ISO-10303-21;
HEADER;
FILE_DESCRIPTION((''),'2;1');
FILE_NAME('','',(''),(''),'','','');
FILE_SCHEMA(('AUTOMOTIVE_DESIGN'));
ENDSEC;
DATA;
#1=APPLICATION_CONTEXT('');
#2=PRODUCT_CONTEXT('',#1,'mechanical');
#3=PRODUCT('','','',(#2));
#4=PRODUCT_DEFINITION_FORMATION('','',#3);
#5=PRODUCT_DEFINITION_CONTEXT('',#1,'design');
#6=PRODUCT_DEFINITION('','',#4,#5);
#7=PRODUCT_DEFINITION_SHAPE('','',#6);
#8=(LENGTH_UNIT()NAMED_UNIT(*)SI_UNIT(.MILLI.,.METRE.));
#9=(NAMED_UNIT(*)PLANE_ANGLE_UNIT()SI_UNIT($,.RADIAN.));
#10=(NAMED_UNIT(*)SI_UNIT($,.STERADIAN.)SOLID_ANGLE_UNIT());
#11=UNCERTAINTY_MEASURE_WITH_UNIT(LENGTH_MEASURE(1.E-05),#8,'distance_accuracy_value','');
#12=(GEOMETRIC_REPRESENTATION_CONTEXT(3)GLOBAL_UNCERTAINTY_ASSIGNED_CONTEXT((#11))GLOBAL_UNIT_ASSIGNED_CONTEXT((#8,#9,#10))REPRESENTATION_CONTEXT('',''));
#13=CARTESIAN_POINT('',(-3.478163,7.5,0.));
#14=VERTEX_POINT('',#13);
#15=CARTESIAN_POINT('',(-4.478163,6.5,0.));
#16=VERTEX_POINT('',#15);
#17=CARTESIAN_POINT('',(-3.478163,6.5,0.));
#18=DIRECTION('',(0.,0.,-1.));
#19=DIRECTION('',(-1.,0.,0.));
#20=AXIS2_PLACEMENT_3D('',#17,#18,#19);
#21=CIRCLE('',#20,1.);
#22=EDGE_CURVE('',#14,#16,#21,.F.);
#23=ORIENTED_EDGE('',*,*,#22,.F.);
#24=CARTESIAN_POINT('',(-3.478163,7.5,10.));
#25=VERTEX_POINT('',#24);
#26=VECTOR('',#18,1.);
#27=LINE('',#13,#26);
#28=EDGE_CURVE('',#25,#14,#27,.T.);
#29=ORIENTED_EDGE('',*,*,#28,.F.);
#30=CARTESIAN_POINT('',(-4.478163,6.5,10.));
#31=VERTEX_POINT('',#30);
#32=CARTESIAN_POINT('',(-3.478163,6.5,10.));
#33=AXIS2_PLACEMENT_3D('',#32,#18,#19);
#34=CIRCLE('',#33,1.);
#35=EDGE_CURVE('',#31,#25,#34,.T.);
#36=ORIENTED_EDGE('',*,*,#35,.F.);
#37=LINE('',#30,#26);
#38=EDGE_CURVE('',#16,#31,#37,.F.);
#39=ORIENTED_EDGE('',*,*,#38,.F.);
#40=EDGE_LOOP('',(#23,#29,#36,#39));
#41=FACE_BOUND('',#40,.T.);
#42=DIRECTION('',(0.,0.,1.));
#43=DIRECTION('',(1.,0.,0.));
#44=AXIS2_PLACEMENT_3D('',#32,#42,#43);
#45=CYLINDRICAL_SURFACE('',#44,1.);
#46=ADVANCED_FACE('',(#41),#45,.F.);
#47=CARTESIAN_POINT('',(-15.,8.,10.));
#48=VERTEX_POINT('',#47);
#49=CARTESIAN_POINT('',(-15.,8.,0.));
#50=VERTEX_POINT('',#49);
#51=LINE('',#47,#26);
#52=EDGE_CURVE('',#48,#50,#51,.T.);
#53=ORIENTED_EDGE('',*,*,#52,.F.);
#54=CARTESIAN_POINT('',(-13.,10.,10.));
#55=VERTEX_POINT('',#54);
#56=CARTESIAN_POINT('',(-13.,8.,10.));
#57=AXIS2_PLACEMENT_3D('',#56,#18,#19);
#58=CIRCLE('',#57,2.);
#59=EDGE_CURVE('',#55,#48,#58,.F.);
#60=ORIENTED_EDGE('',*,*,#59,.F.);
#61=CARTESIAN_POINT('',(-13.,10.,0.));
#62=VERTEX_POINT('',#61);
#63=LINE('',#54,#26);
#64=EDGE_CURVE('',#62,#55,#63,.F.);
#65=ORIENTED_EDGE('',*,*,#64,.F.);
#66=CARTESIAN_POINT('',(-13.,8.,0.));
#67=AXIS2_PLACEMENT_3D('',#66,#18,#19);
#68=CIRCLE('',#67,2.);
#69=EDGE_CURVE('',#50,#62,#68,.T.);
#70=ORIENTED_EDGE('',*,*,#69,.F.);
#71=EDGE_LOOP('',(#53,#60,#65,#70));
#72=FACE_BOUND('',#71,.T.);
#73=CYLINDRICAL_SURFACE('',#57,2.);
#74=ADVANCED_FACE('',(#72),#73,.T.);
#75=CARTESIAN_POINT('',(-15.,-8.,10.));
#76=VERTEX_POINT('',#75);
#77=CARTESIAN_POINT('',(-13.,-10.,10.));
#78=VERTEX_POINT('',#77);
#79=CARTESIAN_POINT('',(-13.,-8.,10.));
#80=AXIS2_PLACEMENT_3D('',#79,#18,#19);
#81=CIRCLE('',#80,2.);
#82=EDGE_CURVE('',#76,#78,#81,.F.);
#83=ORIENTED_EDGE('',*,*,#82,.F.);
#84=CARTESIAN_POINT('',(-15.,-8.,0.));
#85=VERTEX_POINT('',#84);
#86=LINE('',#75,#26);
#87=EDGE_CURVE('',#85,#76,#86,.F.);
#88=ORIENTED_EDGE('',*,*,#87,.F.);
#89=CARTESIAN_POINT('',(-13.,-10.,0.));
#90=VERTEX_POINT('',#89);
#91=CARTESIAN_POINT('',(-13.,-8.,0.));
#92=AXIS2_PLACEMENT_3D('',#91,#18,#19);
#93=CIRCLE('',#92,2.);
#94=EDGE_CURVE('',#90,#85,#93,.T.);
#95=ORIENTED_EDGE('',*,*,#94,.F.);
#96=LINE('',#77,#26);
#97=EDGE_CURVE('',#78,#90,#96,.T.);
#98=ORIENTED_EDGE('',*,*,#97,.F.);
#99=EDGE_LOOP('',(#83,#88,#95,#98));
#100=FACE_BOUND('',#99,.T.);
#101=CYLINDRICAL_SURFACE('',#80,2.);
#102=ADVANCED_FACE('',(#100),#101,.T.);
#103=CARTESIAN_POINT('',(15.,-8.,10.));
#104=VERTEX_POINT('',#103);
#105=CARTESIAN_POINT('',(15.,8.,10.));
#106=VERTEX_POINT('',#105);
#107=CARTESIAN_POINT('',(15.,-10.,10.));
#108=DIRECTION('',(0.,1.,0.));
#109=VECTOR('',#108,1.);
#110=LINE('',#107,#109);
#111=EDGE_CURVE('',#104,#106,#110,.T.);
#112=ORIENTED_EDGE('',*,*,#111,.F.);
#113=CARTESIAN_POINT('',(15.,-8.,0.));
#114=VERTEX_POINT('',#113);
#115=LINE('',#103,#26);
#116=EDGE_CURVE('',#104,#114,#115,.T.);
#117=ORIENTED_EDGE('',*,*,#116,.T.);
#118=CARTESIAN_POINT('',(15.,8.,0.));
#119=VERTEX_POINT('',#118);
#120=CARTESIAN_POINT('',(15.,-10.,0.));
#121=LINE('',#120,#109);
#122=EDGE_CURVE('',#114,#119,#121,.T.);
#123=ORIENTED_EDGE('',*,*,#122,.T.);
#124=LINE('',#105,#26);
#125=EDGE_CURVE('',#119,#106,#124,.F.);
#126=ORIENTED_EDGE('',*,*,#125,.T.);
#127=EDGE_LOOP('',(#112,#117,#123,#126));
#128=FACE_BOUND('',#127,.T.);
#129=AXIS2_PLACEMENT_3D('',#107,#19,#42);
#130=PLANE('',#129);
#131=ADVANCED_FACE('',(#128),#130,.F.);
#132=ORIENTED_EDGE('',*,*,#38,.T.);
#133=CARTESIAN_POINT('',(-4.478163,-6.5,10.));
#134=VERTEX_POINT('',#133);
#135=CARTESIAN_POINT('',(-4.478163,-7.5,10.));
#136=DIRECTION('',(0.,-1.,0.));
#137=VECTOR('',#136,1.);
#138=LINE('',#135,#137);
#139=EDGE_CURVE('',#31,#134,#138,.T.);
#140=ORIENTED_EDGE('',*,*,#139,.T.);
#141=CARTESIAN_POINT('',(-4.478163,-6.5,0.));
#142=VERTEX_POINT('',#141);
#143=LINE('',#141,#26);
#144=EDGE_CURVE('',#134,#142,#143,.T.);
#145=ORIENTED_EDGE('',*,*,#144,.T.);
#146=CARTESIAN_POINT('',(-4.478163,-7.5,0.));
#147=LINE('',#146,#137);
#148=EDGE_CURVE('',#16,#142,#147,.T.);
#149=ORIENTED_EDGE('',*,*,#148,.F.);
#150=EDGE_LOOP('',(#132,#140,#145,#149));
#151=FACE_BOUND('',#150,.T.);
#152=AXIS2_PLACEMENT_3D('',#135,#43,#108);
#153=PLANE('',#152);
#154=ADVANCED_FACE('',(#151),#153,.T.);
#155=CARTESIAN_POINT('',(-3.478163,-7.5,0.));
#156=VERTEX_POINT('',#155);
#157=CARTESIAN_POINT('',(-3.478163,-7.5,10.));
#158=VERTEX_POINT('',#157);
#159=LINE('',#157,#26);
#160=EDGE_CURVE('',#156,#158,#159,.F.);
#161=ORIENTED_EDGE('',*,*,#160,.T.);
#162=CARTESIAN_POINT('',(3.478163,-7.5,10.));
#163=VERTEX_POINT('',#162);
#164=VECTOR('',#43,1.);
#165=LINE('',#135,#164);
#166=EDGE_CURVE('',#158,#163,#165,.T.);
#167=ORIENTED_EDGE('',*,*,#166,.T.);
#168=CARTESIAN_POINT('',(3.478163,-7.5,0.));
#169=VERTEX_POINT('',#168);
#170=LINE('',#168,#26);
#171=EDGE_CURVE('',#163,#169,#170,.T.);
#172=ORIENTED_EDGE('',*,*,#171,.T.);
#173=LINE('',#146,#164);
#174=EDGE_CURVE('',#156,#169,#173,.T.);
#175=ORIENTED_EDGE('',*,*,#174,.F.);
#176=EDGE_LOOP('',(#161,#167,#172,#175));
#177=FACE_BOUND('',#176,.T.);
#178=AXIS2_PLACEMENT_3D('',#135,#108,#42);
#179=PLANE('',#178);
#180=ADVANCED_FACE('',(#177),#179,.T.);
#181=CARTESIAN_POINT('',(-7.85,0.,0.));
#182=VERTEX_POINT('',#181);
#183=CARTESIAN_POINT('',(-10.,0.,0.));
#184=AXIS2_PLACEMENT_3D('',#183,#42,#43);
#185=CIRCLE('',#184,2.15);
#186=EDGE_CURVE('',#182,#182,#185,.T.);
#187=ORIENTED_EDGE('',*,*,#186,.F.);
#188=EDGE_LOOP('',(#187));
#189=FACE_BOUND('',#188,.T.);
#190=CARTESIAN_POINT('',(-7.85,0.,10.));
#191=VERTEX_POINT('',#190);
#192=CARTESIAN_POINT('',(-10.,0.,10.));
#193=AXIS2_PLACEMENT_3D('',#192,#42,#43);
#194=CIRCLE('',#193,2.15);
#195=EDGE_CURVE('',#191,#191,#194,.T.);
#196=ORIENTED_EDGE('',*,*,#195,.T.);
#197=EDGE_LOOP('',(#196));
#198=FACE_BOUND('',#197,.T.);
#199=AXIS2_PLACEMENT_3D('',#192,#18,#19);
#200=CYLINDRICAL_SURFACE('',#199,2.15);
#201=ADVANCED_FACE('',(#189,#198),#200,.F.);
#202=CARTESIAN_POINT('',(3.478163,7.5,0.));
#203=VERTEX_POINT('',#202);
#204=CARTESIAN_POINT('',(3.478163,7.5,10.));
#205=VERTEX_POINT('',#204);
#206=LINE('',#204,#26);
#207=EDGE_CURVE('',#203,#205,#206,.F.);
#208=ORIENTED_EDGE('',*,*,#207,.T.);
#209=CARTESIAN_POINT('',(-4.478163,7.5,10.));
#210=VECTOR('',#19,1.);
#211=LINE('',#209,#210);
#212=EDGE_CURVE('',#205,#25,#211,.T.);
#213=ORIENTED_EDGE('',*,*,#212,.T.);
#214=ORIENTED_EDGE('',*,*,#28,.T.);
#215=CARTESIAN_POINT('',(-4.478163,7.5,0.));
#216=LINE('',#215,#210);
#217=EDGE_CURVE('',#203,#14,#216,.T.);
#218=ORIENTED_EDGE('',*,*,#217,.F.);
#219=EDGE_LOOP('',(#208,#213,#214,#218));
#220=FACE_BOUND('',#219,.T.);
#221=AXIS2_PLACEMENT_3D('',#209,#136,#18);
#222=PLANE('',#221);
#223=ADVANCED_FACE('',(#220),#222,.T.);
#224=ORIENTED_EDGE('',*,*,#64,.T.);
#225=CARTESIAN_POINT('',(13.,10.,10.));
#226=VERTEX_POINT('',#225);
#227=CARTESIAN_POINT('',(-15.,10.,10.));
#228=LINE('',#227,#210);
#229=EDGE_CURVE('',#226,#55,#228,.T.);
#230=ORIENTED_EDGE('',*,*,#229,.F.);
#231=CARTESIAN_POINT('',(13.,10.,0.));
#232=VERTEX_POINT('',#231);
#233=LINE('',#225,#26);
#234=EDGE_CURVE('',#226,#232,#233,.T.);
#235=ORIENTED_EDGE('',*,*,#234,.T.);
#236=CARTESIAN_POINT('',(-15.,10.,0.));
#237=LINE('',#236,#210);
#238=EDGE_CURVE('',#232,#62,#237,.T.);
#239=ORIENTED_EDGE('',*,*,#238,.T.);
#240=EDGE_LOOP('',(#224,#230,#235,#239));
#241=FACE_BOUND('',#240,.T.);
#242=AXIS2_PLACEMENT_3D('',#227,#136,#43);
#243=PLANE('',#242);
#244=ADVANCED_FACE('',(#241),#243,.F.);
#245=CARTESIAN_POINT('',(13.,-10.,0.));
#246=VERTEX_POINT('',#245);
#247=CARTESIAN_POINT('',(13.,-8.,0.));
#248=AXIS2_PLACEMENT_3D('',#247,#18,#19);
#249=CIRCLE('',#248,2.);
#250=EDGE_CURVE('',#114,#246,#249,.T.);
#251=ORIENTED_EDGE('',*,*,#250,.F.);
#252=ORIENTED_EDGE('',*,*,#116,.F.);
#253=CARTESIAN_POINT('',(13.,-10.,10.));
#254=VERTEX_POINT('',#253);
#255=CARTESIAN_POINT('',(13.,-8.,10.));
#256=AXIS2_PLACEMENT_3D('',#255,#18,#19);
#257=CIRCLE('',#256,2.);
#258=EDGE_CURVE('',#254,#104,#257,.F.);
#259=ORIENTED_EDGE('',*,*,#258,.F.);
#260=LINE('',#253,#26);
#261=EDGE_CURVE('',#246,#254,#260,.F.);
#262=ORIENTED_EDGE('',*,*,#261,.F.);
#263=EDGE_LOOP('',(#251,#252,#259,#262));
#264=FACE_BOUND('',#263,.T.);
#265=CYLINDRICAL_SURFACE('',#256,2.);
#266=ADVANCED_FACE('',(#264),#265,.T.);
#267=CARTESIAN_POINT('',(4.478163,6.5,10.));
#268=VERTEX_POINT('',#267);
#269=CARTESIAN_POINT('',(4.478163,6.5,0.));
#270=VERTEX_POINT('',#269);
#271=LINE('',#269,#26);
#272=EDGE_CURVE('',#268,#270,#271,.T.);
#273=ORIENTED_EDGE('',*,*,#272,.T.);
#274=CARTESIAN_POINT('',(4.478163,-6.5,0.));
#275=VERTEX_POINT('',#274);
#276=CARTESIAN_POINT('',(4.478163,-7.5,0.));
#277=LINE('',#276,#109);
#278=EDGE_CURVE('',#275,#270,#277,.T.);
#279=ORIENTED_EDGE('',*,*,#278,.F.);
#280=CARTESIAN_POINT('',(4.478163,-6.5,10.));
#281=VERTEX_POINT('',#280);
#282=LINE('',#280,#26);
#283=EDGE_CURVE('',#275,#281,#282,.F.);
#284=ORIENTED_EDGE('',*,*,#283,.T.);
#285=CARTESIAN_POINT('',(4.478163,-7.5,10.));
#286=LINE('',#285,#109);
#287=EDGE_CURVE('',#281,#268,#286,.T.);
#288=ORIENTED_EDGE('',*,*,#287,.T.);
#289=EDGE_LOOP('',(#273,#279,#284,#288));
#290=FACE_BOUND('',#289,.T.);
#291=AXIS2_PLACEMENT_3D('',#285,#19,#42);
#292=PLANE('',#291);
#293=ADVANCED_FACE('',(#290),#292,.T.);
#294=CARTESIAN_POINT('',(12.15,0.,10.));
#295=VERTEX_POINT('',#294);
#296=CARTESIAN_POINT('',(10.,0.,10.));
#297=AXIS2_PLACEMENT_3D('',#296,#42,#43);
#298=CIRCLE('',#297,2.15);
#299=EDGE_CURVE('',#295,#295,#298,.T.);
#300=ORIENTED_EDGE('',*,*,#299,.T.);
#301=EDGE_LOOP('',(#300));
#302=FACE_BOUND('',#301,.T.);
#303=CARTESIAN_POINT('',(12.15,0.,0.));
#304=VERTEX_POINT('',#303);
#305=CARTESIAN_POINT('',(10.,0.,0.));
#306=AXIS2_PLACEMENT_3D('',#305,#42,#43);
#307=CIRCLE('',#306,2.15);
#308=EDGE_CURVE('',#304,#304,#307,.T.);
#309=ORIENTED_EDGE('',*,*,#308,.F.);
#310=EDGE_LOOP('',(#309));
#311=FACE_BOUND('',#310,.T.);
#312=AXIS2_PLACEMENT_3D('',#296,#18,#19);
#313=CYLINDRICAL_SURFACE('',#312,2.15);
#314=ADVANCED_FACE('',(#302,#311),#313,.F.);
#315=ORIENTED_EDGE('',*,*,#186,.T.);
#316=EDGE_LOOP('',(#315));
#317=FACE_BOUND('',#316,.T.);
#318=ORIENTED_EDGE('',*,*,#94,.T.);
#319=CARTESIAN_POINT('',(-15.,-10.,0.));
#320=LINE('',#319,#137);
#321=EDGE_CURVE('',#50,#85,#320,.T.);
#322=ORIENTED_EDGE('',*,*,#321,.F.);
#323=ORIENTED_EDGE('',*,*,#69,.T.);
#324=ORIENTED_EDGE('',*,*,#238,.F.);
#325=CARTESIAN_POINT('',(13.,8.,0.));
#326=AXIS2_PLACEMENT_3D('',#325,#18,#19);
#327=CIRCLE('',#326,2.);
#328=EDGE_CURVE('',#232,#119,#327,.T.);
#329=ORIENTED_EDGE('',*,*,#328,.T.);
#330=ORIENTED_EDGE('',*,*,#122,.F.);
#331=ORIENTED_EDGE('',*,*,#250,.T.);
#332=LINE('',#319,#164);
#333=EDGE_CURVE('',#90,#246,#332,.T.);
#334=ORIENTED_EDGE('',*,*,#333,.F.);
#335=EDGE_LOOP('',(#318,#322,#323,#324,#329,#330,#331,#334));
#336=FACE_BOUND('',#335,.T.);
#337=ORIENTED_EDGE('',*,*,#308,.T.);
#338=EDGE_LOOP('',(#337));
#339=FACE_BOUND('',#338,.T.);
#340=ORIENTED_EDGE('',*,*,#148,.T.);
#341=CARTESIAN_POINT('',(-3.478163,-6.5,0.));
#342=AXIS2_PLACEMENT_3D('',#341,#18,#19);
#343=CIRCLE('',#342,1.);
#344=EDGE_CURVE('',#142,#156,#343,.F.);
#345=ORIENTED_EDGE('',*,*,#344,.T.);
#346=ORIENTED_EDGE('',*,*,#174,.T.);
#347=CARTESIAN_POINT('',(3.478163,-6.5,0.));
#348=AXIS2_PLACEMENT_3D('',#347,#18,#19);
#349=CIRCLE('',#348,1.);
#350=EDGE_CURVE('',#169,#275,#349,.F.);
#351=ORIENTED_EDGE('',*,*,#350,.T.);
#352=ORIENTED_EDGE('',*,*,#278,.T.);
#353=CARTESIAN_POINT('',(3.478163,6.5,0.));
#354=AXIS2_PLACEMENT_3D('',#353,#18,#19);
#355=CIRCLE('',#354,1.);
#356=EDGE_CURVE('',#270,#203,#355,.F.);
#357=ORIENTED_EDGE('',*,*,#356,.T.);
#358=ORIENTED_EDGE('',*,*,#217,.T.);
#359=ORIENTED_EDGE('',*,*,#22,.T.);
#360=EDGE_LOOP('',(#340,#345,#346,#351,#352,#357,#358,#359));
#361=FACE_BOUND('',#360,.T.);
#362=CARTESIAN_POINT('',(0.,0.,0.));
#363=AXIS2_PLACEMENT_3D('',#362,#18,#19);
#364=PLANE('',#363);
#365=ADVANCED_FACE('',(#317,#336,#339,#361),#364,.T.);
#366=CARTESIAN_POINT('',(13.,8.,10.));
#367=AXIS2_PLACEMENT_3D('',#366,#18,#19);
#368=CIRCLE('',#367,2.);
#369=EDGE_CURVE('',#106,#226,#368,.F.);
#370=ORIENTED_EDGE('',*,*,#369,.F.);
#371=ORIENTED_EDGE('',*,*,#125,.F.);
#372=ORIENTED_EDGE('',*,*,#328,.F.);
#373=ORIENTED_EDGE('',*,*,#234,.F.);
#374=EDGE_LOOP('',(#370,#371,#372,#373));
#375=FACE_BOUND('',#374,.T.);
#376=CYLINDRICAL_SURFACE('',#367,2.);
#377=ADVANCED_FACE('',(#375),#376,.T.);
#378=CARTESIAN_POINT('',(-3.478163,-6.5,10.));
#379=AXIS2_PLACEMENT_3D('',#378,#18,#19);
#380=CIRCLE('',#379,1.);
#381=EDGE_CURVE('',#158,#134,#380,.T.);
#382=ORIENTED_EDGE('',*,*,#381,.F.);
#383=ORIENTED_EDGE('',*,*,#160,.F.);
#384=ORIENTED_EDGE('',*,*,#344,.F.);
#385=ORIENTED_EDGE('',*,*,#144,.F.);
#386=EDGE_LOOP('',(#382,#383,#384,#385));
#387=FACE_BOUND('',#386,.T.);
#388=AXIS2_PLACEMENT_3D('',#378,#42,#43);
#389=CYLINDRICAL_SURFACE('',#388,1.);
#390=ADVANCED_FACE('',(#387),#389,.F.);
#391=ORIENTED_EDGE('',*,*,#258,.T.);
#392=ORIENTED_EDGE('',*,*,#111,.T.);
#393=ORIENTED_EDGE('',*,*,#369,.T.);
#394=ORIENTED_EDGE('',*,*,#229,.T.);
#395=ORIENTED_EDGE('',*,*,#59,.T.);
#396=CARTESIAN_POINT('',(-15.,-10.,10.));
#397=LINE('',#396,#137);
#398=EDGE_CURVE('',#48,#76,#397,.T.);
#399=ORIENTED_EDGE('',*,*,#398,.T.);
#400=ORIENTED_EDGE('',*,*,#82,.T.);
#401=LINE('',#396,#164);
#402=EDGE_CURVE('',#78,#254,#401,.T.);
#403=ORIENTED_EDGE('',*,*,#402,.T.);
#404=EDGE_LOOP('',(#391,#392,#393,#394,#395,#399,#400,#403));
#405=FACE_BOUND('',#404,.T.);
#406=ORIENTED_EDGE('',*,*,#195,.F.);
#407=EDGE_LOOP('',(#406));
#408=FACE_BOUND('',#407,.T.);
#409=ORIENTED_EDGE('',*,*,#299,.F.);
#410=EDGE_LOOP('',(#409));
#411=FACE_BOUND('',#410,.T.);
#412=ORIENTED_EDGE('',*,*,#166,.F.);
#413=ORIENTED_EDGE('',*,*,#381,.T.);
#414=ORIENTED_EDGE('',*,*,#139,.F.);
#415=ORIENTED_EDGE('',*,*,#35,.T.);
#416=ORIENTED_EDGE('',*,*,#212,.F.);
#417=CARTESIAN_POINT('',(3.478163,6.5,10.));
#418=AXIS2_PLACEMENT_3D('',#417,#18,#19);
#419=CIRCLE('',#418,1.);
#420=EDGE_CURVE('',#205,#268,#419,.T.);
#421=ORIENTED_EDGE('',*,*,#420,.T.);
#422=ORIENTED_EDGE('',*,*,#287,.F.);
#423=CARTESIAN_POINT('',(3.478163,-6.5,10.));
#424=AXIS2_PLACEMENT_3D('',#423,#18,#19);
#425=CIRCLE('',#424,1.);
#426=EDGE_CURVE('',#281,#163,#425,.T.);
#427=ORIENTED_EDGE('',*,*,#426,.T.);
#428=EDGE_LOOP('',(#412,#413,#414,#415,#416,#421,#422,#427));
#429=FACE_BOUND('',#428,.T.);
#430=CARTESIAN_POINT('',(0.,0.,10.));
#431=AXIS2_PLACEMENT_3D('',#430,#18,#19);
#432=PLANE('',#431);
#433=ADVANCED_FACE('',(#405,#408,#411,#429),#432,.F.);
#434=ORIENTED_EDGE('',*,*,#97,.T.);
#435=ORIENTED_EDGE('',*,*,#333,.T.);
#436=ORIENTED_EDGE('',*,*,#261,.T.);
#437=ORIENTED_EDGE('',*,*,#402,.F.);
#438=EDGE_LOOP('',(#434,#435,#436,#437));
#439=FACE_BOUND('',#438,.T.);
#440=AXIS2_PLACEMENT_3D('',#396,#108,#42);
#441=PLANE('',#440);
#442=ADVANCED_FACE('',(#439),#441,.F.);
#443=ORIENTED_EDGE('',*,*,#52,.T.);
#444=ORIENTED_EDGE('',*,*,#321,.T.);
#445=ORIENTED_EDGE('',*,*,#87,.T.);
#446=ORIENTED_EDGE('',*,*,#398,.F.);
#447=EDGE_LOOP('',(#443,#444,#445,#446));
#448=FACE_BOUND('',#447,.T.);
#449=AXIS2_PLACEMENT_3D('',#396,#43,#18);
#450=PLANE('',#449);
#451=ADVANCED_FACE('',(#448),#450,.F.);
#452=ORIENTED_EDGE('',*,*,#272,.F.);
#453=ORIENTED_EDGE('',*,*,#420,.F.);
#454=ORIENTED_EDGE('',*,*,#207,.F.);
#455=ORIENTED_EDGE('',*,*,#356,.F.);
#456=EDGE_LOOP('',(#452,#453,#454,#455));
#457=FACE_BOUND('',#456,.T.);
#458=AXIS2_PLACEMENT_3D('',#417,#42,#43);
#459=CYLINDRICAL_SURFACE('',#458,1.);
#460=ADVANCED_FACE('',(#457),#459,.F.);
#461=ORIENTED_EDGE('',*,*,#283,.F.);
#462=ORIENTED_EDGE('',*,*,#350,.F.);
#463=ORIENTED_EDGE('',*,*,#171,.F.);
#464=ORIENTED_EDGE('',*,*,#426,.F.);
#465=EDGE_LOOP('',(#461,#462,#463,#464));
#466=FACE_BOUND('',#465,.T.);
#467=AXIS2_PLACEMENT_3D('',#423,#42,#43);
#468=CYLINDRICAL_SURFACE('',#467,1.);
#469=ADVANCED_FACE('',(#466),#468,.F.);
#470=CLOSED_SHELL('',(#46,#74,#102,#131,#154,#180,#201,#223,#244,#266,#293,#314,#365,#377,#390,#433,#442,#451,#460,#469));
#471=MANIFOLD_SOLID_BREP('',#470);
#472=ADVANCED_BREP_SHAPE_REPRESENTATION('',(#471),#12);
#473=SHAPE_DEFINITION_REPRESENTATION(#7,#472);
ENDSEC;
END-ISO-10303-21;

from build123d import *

# Parameters (mm, degrees)
SKETCH_1_W      = 30
SKETCH_1_H      = 20
SKETCH_1_R      = 2.15
SKETCH_1_W_2    = 8.956326716
SKETCH_1_H_2    = 15
EXTRUDE_1_DEPTH = 10
FILLET_1_R      = 1
FILLET_2_R      = 2


with BuildPart() as part:
    # 草图1 → 凸台-拉伸1 (new body)
    with BuildSketch(Plane.XY):
        Rectangle(SKETCH_1_W, SKETCH_1_H)
        with Locations((-10, 0)):
            Circle(SKETCH_1_R, mode=Mode.SUBTRACT)
        with Locations((10, 0)):
            Circle(SKETCH_1_R, mode=Mode.SUBTRACT)
        Rectangle(SKETCH_1_W_2, SKETCH_1_H_2, mode=Mode.SUBTRACT)
    extrude(amount=EXTRUDE_1_DEPTH)

    # 圆角1
    fillet_1_edges = [part.edges().sort_by_distance(p)[0] for p in [
        (4.478163358, -7.5, 5),
        (4.478163358, 7.5, 5),
        (-4.478163358, 7.5, 5),
        (-4.478163358, -7.5, 5),
    ]]
    fillet(fillet_1_edges, radius=FILLET_1_R)

    # 圆角2
    fillet_2_edges = [part.edges().sort_by_distance(p)[0] for p in [
        (15, -10, 5),
        (-15, -10, 5),
        (-15, 10, 5),
        (15, 10, 5),
    ]]
    fillet(fillet_2_edges, radius=FILLET_2_R)


solid = part.part
